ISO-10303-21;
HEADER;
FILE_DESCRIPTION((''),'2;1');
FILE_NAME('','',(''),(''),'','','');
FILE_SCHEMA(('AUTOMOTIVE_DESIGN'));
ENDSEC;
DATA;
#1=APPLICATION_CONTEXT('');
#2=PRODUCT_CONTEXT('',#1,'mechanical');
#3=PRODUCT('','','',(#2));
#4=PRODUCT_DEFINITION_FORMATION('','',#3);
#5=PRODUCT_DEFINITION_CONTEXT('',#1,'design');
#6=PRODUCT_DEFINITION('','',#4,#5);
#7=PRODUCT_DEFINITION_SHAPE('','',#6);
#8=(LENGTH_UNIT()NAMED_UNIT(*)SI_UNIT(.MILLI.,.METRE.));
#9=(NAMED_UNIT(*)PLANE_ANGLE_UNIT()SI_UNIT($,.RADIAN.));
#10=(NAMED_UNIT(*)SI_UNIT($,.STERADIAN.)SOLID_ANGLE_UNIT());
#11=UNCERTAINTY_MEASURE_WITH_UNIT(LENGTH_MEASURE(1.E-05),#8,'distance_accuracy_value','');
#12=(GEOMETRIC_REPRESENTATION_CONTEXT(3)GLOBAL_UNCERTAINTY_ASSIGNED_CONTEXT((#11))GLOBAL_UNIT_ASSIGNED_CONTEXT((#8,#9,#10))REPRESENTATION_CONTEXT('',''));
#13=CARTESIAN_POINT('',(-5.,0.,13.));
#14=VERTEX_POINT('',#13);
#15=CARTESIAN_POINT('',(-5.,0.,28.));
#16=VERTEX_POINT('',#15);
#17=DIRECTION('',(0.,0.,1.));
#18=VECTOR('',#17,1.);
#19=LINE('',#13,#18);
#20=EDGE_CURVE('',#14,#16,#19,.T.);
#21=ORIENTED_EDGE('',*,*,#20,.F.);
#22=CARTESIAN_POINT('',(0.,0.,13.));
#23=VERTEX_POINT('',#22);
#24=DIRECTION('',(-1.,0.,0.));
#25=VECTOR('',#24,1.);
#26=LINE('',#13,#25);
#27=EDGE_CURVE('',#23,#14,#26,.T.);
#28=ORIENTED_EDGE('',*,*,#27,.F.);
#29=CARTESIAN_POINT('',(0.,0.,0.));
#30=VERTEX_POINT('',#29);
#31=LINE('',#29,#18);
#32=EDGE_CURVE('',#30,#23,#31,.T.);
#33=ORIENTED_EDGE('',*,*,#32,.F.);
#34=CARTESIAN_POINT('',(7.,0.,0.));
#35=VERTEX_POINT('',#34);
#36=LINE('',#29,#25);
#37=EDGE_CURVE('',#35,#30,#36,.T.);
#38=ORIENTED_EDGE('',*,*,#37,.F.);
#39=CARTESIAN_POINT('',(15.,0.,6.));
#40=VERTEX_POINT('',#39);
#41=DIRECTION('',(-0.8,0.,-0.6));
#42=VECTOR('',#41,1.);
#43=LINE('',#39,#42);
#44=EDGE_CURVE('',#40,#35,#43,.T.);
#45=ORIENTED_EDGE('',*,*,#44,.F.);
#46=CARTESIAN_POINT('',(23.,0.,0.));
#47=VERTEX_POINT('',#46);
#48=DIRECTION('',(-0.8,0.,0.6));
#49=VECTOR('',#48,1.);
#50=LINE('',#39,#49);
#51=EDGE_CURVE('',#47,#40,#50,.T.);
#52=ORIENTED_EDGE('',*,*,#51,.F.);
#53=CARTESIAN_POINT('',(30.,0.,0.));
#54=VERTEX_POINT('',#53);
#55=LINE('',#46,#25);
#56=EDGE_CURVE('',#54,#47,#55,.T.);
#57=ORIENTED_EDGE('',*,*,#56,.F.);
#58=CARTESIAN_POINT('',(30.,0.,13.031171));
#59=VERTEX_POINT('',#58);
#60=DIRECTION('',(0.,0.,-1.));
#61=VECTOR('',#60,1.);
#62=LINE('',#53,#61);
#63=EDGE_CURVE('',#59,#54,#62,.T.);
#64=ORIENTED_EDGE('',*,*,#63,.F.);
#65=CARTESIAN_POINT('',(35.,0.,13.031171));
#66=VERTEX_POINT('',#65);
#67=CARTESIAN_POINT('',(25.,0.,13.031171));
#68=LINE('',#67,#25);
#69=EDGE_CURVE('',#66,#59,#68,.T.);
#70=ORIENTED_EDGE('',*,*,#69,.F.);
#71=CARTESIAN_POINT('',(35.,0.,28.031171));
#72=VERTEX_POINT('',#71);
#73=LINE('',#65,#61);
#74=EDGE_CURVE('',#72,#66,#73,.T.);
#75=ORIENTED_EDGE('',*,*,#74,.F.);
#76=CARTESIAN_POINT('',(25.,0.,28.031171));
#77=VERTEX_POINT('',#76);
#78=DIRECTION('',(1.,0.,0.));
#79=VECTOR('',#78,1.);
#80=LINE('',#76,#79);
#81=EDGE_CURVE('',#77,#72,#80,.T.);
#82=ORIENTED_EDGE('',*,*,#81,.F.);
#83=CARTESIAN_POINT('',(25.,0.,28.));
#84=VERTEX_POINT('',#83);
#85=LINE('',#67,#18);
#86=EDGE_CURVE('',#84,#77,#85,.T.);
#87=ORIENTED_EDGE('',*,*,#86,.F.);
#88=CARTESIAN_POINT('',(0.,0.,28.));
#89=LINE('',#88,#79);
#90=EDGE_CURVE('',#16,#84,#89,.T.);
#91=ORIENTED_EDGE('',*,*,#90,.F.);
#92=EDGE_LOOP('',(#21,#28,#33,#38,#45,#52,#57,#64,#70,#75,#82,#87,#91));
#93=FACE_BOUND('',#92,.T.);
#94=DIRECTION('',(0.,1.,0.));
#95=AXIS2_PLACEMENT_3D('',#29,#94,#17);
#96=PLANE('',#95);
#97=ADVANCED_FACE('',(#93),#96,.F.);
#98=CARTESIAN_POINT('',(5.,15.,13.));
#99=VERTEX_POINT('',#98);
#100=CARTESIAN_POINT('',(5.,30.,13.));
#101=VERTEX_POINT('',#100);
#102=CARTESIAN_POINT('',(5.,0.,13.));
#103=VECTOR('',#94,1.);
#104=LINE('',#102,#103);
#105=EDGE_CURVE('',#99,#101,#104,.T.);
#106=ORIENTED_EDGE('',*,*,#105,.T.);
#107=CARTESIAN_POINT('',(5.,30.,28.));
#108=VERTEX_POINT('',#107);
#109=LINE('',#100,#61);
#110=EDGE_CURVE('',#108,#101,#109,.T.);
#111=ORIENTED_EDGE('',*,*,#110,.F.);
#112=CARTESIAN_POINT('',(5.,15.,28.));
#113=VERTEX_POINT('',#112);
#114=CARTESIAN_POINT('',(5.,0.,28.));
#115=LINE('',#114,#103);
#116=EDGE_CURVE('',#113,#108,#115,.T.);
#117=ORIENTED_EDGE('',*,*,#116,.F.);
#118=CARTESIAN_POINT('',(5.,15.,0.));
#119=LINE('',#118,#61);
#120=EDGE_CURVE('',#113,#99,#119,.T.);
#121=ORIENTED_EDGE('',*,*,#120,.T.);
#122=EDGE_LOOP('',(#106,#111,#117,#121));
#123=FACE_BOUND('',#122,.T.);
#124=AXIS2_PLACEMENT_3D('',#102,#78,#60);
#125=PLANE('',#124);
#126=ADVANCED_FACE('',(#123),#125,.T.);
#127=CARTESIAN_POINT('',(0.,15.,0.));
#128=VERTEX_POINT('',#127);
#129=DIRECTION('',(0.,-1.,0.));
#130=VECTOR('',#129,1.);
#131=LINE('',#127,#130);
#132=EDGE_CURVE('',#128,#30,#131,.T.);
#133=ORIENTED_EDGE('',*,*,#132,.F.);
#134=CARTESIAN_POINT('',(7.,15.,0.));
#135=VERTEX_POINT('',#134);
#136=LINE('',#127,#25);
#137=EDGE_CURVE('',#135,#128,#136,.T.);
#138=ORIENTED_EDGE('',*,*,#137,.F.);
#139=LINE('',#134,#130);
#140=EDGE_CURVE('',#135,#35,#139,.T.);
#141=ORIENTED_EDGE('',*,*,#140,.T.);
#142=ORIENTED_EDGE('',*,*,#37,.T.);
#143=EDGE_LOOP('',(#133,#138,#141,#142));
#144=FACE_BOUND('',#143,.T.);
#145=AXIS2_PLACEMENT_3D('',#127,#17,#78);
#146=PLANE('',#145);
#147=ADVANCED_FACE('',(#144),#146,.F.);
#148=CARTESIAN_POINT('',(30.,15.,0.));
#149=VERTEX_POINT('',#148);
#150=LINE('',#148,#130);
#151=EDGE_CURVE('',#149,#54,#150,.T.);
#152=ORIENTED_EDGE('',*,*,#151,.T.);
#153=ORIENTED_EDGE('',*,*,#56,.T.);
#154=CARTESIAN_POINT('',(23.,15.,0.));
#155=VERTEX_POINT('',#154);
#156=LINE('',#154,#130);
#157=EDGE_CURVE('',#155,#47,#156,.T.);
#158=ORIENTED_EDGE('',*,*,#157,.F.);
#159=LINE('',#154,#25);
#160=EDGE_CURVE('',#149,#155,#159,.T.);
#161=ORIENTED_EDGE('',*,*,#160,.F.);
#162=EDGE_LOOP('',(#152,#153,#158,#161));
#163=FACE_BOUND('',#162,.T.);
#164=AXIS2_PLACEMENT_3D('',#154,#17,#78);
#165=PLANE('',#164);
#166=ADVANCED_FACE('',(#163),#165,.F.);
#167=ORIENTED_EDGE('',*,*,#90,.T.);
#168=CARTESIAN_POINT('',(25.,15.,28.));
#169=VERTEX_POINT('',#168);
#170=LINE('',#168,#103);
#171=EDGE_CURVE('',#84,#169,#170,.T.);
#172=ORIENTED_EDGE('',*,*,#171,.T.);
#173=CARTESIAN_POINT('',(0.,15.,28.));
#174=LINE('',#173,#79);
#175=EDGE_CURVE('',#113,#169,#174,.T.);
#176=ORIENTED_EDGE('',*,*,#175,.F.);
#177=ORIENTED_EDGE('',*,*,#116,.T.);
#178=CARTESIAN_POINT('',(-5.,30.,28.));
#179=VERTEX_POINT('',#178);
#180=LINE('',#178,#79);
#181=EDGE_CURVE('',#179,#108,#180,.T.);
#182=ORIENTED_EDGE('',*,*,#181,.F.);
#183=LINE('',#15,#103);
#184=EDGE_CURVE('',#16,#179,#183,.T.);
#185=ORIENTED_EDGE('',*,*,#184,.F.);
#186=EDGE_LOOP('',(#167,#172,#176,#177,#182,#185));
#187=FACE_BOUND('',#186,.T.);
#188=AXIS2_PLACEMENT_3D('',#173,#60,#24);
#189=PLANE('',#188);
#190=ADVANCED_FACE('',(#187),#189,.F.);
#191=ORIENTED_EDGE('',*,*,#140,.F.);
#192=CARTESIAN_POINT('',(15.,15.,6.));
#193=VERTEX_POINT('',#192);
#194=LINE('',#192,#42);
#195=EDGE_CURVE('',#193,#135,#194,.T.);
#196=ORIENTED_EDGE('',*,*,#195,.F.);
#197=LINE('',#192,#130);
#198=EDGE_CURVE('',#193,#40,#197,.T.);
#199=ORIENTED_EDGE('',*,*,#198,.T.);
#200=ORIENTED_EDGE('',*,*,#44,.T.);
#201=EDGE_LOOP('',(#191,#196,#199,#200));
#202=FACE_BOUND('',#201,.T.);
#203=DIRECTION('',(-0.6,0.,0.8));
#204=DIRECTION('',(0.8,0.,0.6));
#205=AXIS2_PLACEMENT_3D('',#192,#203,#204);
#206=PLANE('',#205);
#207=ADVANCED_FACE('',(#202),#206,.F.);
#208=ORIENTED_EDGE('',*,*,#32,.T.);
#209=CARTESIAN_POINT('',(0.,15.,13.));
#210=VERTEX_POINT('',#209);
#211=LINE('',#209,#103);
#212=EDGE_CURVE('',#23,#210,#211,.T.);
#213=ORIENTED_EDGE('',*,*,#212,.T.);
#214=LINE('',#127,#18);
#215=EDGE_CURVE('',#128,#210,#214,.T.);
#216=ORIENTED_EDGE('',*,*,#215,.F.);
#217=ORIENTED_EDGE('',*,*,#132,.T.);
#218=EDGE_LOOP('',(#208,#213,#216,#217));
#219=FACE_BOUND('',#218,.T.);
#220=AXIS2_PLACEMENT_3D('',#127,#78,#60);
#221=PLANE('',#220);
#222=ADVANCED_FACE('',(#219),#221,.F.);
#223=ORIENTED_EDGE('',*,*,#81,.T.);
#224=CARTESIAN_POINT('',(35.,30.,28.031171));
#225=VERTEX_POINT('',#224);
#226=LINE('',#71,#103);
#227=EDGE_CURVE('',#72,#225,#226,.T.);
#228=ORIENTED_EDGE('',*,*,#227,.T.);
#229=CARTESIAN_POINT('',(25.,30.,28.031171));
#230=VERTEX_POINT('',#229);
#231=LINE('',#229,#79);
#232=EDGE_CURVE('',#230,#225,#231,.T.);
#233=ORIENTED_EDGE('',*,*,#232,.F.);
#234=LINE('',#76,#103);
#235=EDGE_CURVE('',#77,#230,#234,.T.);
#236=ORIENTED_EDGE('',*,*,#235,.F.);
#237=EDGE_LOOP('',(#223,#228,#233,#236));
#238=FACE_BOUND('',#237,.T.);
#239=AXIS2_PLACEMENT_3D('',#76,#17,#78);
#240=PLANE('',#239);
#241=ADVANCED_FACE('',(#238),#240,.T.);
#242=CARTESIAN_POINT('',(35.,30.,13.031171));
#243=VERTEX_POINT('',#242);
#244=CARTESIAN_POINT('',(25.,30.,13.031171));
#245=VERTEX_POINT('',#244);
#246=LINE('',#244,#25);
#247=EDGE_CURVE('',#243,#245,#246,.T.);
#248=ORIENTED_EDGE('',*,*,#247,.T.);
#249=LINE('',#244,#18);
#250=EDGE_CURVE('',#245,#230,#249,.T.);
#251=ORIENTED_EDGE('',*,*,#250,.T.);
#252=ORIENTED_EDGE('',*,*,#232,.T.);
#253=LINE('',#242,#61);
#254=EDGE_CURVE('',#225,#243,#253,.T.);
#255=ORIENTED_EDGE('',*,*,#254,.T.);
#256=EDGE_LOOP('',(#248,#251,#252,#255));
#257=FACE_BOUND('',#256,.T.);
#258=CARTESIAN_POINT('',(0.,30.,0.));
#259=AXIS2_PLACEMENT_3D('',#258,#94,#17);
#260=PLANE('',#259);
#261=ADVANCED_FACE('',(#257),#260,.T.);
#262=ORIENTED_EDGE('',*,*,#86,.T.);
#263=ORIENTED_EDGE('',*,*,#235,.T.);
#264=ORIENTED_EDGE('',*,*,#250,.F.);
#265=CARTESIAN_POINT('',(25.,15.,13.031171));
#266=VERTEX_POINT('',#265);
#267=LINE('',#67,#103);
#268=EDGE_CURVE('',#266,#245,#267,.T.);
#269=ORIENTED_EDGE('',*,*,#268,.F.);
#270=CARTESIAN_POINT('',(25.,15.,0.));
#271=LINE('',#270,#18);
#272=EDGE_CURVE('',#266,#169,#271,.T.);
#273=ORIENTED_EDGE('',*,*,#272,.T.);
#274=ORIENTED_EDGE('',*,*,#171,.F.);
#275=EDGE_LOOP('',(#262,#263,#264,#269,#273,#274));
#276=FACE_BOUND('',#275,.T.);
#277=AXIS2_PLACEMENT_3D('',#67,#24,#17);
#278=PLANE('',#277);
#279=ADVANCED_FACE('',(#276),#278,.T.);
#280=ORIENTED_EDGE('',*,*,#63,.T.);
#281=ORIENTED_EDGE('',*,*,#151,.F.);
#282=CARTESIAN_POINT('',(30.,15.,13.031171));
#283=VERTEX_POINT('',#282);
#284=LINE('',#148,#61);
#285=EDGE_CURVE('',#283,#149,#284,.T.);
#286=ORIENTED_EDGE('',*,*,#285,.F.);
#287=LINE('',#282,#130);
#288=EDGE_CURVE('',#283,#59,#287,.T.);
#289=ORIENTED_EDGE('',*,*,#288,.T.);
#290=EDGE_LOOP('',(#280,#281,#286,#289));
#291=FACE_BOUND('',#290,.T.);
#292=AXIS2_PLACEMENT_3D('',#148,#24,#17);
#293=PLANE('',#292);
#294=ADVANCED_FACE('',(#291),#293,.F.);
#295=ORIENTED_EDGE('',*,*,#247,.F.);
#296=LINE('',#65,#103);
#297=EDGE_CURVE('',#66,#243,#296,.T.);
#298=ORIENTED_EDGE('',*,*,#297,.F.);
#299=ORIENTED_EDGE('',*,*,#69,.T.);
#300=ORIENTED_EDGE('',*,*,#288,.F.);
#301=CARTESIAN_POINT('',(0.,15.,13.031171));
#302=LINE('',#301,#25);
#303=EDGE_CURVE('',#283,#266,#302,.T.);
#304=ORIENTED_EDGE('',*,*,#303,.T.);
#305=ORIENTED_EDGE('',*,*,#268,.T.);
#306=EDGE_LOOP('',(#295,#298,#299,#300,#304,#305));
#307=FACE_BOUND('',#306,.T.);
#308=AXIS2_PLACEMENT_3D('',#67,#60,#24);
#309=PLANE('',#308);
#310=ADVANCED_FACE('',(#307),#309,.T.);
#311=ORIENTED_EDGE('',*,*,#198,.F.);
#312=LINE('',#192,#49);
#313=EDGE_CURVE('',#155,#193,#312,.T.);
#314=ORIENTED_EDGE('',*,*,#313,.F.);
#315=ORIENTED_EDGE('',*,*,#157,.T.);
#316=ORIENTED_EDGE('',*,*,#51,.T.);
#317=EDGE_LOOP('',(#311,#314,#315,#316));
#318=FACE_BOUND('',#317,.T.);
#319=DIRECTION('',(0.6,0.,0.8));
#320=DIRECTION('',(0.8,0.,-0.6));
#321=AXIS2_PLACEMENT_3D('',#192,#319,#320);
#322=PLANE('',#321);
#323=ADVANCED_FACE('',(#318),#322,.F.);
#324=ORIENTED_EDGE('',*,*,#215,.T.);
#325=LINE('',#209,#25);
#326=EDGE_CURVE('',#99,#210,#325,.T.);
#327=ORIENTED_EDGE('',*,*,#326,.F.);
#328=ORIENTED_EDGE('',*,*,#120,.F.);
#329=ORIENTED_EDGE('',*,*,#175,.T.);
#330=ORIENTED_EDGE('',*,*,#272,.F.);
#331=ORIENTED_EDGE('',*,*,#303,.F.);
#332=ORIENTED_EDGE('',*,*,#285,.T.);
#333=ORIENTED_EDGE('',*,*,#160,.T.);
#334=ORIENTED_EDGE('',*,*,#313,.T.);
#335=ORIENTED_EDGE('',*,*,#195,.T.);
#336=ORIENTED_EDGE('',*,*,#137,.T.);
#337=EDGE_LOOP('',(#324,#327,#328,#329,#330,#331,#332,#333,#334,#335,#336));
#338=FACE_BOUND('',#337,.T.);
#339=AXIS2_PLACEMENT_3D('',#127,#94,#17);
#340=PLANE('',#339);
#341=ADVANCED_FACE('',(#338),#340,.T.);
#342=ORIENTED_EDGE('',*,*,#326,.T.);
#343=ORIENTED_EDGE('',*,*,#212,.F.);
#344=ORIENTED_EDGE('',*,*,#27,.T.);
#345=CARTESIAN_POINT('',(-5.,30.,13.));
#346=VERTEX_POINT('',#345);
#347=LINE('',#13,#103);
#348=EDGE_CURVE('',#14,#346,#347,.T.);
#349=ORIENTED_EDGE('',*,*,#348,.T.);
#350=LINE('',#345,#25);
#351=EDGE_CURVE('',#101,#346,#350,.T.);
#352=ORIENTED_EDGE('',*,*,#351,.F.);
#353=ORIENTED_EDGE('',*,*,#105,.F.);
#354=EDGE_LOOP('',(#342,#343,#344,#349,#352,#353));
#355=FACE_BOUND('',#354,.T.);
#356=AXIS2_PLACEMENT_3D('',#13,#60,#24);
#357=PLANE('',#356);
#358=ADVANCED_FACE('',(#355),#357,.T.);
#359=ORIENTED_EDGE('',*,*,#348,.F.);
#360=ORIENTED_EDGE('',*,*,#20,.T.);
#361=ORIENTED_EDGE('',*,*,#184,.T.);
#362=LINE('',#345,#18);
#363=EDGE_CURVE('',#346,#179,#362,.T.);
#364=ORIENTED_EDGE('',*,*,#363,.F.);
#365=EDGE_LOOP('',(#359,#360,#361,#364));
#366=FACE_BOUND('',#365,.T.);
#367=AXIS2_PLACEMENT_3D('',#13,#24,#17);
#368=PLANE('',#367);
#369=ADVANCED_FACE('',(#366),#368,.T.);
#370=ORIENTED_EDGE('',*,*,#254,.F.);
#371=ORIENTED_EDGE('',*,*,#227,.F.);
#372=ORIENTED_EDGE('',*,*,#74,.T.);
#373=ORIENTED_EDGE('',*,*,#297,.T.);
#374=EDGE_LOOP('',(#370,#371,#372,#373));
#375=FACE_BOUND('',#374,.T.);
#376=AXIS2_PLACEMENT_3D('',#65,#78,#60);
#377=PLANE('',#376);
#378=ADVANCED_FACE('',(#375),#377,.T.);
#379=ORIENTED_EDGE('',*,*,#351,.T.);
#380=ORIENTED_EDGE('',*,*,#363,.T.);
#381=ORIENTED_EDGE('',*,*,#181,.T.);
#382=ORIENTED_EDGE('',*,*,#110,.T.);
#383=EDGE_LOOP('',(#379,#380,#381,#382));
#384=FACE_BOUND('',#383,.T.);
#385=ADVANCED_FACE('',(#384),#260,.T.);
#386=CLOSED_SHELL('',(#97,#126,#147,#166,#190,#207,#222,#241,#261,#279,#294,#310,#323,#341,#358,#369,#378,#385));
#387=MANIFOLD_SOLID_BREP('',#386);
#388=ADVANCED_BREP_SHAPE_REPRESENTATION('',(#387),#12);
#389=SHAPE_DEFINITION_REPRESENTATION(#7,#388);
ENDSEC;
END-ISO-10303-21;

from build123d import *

# Parameters (mm, degrees)
EXTRUDE_1_DEPTH      = 15
EXTRUDE_7_DEPTH      = 15
EXTRUDE_7_DEPTH_BACK = 15
SKETCH_2_W           = 10
SKETCH_2_H           = 15


with BuildPart() as part:
    # 草图1 → 凸台-拉伸1 (new body)
    with BuildSketch(Plane(origin=(0, 0, 0), x_dir=(1, 0, 0), z_dir=(0, 1, 0))):
        Polygon((0, 0), (7, 0), (15, -6), (23, 0), (30, 0), (30, -28), (0, -28), align=None)
    extrude(amount=EXTRUDE_1_DEPTH)

    # 草图2 → 凸台-拉伸7 (add, two sides: drawn at the far end of the back side and taken through both)
    with BuildSketch(Plane(origin=(0, 15, 0), x_dir=(1, 0, 0), z_dir=(0, 1, 0)).offset(-EXTRUDE_7_DEPTH_BACK)):
        with Locations((30, -20.531171216)):
            Rectangle(SKETCH_2_W, SKETCH_2_H)
        with Locations((0, -20.5)):
            Rectangle(SKETCH_2_W, SKETCH_2_H)
    extrude(amount=EXTRUDE_7_DEPTH + EXTRUDE_7_DEPTH_BACK)


solid = part.part
